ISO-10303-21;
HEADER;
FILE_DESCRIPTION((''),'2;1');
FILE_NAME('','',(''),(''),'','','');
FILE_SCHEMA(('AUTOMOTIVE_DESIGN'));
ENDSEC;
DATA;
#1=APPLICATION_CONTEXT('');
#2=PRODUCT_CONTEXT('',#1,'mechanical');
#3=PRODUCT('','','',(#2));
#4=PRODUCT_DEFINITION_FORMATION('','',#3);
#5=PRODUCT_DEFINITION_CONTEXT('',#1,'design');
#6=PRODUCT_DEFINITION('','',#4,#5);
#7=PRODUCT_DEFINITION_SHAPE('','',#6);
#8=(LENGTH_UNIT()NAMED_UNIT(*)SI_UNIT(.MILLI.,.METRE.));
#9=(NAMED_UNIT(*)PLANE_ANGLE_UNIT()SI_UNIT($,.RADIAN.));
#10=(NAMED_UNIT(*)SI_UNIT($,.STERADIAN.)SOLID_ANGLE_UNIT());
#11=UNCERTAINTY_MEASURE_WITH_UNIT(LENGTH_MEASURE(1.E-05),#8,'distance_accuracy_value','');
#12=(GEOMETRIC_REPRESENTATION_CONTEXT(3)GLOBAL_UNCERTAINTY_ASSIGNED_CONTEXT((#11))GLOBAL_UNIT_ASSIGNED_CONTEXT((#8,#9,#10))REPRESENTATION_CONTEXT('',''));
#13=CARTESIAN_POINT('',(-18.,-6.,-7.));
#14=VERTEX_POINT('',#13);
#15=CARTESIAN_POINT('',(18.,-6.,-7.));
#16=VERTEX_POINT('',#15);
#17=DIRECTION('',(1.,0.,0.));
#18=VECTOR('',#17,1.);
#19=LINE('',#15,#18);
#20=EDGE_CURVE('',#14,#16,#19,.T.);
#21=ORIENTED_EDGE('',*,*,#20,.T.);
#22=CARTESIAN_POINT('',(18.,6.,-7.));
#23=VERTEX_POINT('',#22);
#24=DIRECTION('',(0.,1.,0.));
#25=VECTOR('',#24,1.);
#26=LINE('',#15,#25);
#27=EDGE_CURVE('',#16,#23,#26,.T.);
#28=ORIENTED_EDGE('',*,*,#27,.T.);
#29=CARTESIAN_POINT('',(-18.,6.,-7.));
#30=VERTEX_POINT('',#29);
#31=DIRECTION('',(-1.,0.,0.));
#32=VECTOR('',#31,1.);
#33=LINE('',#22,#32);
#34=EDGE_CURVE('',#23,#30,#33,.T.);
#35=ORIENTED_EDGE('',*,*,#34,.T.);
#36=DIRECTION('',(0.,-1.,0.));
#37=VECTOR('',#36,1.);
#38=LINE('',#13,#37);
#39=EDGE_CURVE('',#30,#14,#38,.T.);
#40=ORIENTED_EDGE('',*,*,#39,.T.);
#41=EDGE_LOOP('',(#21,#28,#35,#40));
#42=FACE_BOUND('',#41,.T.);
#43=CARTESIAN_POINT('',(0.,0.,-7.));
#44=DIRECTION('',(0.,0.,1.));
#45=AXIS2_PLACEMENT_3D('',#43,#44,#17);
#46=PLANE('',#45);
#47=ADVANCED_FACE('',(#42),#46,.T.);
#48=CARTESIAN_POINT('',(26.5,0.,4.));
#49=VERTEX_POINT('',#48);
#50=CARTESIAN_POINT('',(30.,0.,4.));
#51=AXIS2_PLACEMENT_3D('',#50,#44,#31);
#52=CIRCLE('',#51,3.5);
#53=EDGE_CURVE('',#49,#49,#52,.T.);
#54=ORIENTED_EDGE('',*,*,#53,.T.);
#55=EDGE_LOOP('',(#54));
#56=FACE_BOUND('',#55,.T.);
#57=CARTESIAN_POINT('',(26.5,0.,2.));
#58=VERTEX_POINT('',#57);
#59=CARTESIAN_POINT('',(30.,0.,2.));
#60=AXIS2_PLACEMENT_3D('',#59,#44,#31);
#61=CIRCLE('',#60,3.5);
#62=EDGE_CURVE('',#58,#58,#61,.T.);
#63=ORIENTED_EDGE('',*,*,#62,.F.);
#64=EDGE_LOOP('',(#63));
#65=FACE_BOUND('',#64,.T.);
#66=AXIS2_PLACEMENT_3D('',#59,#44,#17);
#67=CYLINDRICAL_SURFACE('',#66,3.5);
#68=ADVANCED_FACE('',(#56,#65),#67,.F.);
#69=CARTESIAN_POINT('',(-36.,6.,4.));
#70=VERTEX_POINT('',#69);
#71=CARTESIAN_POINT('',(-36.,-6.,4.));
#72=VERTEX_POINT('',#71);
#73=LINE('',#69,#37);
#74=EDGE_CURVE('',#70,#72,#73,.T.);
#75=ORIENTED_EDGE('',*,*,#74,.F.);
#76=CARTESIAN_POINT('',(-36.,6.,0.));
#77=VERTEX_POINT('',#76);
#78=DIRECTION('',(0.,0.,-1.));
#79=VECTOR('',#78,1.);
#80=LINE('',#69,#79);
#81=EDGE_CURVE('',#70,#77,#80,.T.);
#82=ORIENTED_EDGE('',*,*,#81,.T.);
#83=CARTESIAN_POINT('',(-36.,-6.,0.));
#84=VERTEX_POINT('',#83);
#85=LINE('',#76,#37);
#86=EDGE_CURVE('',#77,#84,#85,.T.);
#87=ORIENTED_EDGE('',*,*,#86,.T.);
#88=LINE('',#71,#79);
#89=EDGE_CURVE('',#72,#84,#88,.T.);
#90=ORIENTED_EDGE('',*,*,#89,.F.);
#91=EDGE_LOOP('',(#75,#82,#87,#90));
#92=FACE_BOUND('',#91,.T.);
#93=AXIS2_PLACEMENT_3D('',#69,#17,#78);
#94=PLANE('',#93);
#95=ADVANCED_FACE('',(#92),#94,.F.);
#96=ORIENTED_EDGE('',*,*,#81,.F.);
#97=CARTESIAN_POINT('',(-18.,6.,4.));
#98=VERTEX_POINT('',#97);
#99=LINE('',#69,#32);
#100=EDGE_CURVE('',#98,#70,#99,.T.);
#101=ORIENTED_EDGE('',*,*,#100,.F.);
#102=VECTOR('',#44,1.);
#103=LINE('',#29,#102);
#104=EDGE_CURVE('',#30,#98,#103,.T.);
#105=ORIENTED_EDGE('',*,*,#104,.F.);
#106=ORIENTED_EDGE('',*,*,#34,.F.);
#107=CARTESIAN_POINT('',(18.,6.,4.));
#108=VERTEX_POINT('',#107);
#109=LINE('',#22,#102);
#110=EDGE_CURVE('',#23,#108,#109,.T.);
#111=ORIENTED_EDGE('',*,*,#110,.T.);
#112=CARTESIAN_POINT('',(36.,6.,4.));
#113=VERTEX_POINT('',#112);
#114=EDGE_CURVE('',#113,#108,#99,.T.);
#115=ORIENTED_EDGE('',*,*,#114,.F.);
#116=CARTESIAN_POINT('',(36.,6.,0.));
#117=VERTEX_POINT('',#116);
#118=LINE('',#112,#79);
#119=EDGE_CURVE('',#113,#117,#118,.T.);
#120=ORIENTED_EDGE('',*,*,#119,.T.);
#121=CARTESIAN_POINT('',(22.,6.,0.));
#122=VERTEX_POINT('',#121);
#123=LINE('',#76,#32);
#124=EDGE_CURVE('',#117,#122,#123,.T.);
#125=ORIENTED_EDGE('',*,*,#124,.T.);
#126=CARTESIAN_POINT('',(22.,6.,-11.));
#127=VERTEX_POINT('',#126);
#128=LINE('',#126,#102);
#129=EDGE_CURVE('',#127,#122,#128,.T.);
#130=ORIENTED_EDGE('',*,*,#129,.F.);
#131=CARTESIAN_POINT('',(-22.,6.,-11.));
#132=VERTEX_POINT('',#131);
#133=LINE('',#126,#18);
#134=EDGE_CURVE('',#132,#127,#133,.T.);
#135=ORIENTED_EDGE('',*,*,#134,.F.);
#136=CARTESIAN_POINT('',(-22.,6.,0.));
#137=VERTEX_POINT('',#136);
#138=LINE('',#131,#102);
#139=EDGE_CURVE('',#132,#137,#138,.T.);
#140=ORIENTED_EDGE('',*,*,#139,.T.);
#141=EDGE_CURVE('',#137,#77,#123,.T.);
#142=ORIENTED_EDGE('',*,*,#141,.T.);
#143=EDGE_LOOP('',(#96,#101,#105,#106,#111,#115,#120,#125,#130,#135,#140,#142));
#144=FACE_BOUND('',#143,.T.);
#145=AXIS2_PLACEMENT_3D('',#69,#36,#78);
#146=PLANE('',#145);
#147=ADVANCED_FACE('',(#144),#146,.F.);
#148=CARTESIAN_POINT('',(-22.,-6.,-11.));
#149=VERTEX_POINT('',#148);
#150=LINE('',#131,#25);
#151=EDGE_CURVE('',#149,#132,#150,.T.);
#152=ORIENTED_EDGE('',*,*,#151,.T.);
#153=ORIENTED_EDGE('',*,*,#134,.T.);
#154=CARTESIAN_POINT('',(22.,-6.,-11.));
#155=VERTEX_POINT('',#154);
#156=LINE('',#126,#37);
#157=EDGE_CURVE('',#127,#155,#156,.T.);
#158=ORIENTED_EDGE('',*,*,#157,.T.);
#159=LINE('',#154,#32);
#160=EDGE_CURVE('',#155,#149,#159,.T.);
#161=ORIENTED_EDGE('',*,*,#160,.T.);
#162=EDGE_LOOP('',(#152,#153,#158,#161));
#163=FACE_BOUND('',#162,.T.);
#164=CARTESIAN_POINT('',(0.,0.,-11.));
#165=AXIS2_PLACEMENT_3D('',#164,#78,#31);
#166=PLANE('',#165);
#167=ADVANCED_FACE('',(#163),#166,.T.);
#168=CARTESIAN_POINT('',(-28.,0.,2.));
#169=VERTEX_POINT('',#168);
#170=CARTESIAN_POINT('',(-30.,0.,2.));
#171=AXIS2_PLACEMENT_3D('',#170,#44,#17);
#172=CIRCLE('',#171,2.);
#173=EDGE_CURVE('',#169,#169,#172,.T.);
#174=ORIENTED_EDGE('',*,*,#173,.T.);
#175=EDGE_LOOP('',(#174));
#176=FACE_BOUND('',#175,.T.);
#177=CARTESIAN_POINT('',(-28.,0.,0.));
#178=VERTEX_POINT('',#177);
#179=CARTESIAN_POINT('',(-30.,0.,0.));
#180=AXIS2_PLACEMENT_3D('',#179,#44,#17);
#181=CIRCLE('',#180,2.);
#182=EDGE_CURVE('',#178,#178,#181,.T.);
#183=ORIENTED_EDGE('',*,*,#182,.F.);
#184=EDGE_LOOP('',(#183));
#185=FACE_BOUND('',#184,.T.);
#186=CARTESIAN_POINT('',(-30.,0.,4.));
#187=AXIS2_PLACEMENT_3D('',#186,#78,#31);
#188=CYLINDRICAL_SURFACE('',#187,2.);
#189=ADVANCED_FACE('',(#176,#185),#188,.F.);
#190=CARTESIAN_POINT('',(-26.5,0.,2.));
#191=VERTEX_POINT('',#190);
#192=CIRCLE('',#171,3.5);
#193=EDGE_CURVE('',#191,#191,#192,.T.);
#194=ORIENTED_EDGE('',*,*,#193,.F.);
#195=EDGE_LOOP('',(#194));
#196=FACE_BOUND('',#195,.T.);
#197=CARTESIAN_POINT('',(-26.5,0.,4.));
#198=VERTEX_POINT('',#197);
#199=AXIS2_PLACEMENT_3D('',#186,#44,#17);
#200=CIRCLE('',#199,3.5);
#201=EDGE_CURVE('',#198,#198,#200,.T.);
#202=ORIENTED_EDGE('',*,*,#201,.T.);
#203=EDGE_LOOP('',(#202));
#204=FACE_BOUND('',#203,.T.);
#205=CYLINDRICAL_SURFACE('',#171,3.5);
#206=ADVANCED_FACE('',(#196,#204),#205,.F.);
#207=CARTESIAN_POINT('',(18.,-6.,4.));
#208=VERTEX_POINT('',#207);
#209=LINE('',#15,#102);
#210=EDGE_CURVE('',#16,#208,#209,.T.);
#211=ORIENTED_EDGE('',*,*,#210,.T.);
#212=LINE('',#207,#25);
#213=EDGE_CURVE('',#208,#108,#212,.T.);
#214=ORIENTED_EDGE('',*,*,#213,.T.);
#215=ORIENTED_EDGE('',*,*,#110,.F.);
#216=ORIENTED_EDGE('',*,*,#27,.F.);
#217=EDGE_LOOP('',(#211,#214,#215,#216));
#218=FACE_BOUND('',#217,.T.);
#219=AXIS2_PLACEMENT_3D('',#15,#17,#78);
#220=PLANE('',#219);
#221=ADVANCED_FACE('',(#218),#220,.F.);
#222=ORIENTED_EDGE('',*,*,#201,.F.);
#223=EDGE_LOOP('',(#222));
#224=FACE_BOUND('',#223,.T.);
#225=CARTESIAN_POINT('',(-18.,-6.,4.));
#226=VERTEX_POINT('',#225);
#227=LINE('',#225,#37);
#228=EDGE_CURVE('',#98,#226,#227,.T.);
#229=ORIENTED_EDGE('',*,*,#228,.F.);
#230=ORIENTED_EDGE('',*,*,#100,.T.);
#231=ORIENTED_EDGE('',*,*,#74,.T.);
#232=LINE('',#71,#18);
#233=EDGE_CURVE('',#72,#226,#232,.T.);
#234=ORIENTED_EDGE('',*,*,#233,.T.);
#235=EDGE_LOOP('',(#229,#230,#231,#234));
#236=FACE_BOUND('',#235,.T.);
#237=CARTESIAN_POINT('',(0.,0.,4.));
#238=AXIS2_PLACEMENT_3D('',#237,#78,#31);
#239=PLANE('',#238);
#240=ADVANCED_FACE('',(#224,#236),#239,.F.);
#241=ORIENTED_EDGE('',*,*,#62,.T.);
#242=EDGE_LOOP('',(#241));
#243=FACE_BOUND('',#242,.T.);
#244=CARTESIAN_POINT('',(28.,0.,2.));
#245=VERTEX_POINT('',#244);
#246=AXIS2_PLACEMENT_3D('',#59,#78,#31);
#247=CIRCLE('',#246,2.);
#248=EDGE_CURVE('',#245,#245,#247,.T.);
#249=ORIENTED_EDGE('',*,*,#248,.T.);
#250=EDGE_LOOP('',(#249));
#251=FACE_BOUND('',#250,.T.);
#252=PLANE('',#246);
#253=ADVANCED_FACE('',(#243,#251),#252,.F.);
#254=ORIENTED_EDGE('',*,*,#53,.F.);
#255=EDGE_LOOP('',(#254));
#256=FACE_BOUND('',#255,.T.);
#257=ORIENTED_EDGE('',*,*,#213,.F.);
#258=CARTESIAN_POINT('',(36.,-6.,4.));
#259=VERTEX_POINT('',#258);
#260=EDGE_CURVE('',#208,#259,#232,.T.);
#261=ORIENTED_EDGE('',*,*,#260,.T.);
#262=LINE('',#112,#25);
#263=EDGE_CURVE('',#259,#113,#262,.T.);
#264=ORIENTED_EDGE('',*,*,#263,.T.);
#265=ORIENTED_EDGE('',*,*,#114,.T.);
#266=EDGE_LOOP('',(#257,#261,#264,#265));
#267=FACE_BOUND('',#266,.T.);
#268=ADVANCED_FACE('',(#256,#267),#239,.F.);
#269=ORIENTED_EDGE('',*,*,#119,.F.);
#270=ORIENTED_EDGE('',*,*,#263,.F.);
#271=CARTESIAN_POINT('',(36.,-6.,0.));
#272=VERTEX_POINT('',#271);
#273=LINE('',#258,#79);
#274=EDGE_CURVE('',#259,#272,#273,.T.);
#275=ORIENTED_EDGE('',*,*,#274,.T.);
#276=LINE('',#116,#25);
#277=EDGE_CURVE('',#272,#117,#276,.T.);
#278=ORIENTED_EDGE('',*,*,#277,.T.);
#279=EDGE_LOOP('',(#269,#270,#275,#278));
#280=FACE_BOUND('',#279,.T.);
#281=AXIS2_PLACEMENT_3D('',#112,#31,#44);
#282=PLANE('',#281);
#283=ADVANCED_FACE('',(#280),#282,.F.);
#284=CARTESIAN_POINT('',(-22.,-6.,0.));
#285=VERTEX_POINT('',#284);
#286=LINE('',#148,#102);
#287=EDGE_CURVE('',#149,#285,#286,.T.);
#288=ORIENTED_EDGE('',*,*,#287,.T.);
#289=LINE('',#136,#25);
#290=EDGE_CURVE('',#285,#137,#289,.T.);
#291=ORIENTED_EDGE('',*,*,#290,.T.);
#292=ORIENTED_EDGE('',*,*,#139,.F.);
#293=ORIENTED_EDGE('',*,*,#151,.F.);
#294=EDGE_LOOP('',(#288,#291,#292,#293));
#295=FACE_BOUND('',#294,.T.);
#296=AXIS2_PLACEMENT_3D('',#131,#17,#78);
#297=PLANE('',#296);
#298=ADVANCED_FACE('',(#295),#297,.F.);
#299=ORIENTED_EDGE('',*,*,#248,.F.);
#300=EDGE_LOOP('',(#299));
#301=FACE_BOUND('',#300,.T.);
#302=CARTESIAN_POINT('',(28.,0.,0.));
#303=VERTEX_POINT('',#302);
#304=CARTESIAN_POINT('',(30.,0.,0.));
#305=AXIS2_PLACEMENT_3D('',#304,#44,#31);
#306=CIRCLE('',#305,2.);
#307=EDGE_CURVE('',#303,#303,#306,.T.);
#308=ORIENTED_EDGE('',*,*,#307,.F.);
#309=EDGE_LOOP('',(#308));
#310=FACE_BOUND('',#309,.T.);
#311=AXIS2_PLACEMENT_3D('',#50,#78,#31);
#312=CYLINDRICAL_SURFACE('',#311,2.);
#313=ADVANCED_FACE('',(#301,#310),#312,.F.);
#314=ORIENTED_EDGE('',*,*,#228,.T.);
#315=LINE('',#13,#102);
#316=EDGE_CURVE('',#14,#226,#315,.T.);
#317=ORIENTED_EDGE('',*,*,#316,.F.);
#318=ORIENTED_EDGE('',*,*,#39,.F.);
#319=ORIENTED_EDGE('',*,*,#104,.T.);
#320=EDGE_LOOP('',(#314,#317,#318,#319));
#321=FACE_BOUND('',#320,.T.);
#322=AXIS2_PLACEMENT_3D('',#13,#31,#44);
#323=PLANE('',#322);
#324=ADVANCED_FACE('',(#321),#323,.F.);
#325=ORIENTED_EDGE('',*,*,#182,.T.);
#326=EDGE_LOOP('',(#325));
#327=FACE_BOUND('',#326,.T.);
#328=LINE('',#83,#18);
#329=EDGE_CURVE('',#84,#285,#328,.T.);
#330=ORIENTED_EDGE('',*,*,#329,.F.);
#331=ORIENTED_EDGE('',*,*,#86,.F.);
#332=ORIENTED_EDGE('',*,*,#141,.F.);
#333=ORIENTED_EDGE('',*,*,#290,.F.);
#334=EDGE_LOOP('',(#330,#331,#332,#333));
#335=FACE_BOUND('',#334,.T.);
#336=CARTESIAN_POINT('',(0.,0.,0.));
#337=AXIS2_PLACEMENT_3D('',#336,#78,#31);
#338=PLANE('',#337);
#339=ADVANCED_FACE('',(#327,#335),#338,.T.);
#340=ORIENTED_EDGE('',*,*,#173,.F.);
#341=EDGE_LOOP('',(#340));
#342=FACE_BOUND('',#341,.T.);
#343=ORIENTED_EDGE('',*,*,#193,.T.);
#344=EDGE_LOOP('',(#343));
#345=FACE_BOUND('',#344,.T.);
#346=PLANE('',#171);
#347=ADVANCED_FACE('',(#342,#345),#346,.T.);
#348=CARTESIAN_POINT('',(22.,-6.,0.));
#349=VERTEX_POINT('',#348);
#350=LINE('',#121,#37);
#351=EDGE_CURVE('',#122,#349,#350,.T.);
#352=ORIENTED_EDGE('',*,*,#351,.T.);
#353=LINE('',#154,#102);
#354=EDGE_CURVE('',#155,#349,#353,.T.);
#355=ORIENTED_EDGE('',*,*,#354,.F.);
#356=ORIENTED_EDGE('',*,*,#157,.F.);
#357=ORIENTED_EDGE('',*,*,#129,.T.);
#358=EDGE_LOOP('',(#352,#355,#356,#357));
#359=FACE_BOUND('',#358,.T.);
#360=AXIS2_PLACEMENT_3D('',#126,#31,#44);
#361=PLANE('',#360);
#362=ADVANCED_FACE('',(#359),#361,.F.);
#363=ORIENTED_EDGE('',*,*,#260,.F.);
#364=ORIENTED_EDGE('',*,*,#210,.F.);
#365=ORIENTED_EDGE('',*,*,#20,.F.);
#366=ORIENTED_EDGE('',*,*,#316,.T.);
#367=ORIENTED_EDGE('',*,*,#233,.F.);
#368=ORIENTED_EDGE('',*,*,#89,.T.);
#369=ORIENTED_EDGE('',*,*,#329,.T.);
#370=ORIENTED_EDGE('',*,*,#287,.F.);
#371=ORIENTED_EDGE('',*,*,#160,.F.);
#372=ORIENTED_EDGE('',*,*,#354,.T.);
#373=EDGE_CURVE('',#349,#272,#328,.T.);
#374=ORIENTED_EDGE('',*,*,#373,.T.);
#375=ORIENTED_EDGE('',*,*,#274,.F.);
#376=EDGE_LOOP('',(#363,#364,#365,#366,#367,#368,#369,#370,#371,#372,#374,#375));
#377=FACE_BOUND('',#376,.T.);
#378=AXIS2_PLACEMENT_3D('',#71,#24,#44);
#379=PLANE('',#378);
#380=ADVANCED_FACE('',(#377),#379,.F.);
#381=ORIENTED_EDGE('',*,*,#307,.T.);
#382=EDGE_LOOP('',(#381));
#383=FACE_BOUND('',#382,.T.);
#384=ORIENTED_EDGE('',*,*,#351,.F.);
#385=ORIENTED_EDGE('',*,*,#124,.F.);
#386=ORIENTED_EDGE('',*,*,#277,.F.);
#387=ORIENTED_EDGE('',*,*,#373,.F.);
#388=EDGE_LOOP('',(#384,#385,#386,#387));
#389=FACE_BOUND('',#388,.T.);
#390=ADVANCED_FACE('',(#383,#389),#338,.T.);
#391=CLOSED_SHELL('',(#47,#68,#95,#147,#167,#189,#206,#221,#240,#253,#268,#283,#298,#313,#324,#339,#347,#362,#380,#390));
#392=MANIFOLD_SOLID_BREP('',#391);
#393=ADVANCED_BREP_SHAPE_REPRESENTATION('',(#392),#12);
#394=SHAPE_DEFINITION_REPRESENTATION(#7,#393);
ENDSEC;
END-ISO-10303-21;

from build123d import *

# Parameters (mm, degrees)
SKICA1_W                 = 72
SKICA1_H                 = 12
SKICA1_R                 = 2
P_IDAT_VYSUNUT_M1_DEPTH  = 4
SKICA2_R                 = 3.5
ODEBRAT_VYSUNUT_M1_DEPTH = 2
SKICA3_W                 = 44
SKICA3_H                 = 12
P_IDAT_VYSUNUT_M2_DEPTH  = 11
SKICA4_W                 = 36
SKICA4_H                 = 12
ODEBRAT_VYSUNUT_M2_DEPTH = 11


with BuildPart() as part:
    # Skica1 → Přidat vysunutím1 (new body)
    with BuildSketch(Plane.XY):
        Rectangle(SKICA1_W, SKICA1_H)
        with Locations((-30, 0)):
            Circle(SKICA1_R, mode=Mode.SUBTRACT)
        with Locations(Location((30, 0, 0), (0, 0, 180))):
            Circle(SKICA1_R, mode=Mode.SUBTRACT)
    extrude(amount=P_IDAT_VYSUNUT_M1_DEPTH)

    # Skica2 → Odebrat vysunutím1 (cut)
    with BuildSketch(Plane.XY.offset(4)):
        with Locations((-30, 0)):
            Circle(SKICA2_R)
        with Locations(Location((30, 0, 0), (0, 0, 180))):
            Circle(SKICA2_R)
    extrude(amount=-ODEBRAT_VYSUNUT_M1_DEPTH, mode=Mode.SUBTRACT)

    # Skica3 → Přidat vysunutím2 (add)
    with BuildSketch(Plane(origin=(0, 0, 0), x_dir=(-1, 0, 0), z_dir=(0, 0, -1))):
        Rectangle(SKICA3_W, SKICA3_H)
    extrude(amount=P_IDAT_VYSUNUT_M2_DEPTH)

    # Skica4 → Odebrat vysunutím2 (cut)
    with BuildSketch(Plane.XY.offset(4)):
        Rectangle(SKICA4_W, SKICA4_H)
    extrude(amount=-ODEBRAT_VYSUNUT_M2_DEPTH, mode=Mode.SUBTRACT)


solid = part.part
